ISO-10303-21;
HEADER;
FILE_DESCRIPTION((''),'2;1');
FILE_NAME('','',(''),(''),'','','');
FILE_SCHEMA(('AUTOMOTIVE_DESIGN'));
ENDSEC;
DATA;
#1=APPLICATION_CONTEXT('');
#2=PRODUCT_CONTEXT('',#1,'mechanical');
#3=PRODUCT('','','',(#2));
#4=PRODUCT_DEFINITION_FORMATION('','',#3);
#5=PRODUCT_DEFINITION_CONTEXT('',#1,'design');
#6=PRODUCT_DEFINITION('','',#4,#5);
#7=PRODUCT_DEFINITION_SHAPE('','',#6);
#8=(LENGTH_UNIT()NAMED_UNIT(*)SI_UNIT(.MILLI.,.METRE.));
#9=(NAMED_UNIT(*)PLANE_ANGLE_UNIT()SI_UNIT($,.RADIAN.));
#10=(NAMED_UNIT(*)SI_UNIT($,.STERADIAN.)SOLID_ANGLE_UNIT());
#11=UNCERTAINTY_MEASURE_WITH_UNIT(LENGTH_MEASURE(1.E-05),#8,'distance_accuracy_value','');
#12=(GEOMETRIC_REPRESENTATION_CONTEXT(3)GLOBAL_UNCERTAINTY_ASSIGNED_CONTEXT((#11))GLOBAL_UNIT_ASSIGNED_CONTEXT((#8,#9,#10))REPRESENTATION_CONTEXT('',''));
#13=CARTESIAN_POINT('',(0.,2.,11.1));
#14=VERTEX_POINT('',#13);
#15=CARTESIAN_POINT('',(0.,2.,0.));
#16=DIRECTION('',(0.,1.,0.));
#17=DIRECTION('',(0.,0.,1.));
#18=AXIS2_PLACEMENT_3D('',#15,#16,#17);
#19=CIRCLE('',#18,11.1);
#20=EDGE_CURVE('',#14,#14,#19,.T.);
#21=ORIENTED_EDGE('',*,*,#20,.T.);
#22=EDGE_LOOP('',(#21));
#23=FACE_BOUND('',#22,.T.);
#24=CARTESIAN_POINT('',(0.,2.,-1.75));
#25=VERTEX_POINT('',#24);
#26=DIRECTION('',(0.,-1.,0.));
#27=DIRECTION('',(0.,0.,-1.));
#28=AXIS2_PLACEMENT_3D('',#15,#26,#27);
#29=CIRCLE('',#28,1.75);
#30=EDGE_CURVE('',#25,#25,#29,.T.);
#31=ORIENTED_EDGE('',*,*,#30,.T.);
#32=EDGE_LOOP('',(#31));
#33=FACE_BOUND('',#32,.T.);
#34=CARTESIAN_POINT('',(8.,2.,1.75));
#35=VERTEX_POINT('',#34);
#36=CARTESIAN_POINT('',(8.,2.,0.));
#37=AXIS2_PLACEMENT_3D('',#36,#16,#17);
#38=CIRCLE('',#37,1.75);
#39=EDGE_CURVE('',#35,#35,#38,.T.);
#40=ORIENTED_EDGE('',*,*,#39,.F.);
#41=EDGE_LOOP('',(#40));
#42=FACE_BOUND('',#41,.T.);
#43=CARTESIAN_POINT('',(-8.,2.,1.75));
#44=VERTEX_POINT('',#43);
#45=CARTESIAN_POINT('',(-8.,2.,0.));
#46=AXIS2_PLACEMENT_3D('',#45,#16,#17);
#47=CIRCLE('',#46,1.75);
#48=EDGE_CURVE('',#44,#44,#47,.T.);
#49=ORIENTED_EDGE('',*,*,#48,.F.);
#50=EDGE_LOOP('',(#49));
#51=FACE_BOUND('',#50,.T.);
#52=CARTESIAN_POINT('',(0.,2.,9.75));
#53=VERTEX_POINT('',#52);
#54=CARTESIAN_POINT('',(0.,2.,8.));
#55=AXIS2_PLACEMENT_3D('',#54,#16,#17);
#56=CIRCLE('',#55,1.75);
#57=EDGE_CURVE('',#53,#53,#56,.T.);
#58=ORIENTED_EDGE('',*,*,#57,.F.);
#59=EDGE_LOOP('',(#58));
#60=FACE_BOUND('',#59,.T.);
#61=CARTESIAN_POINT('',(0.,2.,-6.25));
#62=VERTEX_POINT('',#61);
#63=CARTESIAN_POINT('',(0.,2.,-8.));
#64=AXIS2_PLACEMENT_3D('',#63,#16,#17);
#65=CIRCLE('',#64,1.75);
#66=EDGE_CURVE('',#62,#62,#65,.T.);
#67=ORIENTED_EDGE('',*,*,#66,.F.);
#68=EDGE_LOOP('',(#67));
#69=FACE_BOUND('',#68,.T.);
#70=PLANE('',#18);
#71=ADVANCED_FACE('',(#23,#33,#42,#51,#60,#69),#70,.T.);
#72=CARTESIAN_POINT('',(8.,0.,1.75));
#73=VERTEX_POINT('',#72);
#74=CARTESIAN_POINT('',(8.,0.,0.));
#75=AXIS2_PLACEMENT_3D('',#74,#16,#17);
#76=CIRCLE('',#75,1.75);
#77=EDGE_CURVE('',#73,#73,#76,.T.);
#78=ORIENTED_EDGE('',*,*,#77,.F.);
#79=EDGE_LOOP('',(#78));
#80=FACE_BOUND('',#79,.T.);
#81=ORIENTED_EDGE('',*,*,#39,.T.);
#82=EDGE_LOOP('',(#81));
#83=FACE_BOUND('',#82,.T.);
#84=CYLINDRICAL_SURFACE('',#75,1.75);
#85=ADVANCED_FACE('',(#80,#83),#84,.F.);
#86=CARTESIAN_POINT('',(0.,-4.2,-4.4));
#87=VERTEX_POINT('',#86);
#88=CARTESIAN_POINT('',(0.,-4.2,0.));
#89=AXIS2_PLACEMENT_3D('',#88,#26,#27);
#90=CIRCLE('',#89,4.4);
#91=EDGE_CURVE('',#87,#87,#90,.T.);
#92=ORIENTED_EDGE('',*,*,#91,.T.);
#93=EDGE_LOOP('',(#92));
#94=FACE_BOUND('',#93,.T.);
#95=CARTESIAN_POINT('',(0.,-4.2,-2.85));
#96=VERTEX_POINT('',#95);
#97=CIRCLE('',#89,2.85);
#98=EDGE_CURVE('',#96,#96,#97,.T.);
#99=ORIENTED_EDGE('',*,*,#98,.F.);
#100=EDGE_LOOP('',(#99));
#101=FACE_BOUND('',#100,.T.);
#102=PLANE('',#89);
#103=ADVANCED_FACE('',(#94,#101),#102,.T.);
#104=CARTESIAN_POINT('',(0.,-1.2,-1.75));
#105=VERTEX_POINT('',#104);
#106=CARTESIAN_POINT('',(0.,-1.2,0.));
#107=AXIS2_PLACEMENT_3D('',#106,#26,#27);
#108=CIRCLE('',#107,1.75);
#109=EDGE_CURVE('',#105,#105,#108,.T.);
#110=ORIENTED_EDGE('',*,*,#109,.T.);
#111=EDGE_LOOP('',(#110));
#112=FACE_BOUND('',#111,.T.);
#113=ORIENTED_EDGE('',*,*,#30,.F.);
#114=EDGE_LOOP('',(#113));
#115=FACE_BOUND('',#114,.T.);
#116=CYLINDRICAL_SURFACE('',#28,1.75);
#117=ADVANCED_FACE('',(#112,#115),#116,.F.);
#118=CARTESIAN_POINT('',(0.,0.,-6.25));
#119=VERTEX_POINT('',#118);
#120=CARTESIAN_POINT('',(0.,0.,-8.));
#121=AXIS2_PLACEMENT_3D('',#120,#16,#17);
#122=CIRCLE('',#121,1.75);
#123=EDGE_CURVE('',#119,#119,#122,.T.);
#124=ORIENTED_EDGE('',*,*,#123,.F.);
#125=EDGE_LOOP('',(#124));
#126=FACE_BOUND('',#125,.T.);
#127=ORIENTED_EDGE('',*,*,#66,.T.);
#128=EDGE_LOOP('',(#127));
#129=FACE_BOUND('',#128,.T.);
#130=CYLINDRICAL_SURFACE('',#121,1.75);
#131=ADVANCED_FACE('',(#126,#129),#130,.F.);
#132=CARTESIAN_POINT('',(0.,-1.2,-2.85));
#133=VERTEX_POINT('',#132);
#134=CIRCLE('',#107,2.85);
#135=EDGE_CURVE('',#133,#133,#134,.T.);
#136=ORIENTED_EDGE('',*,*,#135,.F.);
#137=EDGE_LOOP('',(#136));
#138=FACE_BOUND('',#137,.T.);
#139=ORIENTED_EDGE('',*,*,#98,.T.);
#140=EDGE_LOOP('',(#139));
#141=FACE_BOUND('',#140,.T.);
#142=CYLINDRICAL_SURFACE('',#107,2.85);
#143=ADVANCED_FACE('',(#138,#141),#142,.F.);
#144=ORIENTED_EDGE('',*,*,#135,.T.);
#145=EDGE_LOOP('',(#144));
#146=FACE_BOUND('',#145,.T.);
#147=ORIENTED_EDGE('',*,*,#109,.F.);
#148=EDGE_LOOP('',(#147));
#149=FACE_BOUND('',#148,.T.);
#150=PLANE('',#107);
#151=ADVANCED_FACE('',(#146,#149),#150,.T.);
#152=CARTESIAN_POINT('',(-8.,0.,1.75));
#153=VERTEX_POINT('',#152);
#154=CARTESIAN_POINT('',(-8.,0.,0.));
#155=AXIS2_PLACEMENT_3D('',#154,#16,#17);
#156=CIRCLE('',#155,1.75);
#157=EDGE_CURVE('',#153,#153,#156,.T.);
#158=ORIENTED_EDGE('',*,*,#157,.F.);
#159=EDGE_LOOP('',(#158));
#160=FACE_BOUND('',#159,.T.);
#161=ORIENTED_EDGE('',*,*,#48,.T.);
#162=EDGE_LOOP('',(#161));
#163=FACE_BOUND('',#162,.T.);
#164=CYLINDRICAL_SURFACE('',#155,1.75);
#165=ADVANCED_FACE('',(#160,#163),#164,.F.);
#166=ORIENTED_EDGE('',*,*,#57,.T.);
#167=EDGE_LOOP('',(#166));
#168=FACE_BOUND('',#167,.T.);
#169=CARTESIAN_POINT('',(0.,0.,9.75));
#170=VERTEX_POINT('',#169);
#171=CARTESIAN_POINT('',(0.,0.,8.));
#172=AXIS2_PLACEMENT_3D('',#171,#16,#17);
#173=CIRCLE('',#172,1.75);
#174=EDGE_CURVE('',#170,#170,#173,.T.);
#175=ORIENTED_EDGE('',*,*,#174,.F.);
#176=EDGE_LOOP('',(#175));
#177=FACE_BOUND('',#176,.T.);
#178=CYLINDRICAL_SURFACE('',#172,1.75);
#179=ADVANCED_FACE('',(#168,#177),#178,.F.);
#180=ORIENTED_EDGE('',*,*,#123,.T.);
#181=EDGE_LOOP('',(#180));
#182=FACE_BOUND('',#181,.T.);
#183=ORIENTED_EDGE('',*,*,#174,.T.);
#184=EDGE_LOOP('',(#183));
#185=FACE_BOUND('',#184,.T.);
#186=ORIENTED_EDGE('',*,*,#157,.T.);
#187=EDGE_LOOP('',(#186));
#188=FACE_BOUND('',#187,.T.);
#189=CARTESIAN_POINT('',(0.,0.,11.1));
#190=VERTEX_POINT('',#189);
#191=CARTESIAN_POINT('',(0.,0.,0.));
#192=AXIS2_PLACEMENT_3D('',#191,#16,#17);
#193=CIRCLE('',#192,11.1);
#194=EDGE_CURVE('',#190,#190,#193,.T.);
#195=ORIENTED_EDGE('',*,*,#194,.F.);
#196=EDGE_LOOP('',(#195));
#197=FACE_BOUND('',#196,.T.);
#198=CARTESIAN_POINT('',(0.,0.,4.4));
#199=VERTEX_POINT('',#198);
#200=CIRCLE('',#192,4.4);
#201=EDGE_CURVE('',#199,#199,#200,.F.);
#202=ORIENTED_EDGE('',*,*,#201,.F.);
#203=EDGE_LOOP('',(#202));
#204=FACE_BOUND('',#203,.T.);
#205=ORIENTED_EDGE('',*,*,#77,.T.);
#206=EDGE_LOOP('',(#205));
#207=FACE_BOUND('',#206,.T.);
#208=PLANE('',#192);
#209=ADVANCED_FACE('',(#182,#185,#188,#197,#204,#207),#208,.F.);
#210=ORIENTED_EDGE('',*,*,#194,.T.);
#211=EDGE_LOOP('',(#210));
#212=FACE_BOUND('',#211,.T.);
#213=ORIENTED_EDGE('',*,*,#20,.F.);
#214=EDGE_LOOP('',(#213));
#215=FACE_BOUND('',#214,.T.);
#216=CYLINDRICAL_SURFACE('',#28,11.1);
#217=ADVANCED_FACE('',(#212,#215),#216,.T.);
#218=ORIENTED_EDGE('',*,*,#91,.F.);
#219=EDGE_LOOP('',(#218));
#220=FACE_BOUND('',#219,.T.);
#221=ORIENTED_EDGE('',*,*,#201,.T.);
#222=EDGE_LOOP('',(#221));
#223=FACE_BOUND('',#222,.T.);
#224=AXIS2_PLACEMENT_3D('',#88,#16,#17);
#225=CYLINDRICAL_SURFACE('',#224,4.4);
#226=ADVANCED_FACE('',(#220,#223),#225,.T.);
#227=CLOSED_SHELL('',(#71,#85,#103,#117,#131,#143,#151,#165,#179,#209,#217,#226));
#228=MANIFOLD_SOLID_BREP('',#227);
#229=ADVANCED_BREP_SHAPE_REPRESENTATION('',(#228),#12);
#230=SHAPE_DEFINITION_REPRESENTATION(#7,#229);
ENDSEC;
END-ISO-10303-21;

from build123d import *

# Parameters (mm, degrees)
SKETCH1_R          = 11.1
EXTRUDE1_DEPTH     = 2
SKETCH2_R          = 1.75
CUT_EXTRUDE1_DEPTH = 3
SKETCH3_R          = 4.4
EXTRUDE2_DEPTH     = 4.2
SKETCH4_R          = 2.85
CUT_EXTRUDE2_DEPTH = 3
SKETCH5_R          = 1.75
CUT_EXTRUDE3_DEPTH = 4.2


with BuildPart() as part:
    # Sketch1 → Extrude1 (new body)
    with BuildSketch(Plane(origin=(0, 0, 0), x_dir=(1, 0, 0), z_dir=(0, 1, 0))):
        Circle(SKETCH1_R)
    extrude(amount=EXTRUDE1_DEPTH)

    # Sketch2 → Cut-Extrude1 (cut, through all)
    with BuildSketch(Plane(origin=(0, 2, 0), x_dir=(1, 0, 0), z_dir=(0, 1, 0))):
        with Locations((0, 8)):
            Circle(SKETCH2_R)
        with Locations((8, 0)):
            Circle(SKETCH2_R)
        with Locations((0, -8)):
            Circle(SKETCH2_R)
        with Locations((-8, 0)):
            Circle(SKETCH2_R)
    extrude(amount=-CUT_EXTRUDE1_DEPTH, mode=Mode.SUBTRACT)

    # Sketch3 → Extrude2 (add)
    with BuildSketch(Plane.XZ):
        Circle(SKETCH3_R)
    extrude(amount=EXTRUDE2_DEPTH)

    # Sketch4 → Cut-Extrude2 (cut)
    with BuildSketch(Plane.XZ.offset(4.2)):
        Circle(SKETCH4_R)
    extrude(amount=-CUT_EXTRUDE2_DEPTH, mode=Mode.SUBTRACT)

    # Sketch5 → Cut-Extrude3 (cut, through all)
    with BuildSketch(Plane.XZ.offset(1.2)):
        Circle(SKETCH5_R)
    extrude(amount=-CUT_EXTRUDE3_DEPTH, mode=Mode.SUBTRACT)


solid = part.part
